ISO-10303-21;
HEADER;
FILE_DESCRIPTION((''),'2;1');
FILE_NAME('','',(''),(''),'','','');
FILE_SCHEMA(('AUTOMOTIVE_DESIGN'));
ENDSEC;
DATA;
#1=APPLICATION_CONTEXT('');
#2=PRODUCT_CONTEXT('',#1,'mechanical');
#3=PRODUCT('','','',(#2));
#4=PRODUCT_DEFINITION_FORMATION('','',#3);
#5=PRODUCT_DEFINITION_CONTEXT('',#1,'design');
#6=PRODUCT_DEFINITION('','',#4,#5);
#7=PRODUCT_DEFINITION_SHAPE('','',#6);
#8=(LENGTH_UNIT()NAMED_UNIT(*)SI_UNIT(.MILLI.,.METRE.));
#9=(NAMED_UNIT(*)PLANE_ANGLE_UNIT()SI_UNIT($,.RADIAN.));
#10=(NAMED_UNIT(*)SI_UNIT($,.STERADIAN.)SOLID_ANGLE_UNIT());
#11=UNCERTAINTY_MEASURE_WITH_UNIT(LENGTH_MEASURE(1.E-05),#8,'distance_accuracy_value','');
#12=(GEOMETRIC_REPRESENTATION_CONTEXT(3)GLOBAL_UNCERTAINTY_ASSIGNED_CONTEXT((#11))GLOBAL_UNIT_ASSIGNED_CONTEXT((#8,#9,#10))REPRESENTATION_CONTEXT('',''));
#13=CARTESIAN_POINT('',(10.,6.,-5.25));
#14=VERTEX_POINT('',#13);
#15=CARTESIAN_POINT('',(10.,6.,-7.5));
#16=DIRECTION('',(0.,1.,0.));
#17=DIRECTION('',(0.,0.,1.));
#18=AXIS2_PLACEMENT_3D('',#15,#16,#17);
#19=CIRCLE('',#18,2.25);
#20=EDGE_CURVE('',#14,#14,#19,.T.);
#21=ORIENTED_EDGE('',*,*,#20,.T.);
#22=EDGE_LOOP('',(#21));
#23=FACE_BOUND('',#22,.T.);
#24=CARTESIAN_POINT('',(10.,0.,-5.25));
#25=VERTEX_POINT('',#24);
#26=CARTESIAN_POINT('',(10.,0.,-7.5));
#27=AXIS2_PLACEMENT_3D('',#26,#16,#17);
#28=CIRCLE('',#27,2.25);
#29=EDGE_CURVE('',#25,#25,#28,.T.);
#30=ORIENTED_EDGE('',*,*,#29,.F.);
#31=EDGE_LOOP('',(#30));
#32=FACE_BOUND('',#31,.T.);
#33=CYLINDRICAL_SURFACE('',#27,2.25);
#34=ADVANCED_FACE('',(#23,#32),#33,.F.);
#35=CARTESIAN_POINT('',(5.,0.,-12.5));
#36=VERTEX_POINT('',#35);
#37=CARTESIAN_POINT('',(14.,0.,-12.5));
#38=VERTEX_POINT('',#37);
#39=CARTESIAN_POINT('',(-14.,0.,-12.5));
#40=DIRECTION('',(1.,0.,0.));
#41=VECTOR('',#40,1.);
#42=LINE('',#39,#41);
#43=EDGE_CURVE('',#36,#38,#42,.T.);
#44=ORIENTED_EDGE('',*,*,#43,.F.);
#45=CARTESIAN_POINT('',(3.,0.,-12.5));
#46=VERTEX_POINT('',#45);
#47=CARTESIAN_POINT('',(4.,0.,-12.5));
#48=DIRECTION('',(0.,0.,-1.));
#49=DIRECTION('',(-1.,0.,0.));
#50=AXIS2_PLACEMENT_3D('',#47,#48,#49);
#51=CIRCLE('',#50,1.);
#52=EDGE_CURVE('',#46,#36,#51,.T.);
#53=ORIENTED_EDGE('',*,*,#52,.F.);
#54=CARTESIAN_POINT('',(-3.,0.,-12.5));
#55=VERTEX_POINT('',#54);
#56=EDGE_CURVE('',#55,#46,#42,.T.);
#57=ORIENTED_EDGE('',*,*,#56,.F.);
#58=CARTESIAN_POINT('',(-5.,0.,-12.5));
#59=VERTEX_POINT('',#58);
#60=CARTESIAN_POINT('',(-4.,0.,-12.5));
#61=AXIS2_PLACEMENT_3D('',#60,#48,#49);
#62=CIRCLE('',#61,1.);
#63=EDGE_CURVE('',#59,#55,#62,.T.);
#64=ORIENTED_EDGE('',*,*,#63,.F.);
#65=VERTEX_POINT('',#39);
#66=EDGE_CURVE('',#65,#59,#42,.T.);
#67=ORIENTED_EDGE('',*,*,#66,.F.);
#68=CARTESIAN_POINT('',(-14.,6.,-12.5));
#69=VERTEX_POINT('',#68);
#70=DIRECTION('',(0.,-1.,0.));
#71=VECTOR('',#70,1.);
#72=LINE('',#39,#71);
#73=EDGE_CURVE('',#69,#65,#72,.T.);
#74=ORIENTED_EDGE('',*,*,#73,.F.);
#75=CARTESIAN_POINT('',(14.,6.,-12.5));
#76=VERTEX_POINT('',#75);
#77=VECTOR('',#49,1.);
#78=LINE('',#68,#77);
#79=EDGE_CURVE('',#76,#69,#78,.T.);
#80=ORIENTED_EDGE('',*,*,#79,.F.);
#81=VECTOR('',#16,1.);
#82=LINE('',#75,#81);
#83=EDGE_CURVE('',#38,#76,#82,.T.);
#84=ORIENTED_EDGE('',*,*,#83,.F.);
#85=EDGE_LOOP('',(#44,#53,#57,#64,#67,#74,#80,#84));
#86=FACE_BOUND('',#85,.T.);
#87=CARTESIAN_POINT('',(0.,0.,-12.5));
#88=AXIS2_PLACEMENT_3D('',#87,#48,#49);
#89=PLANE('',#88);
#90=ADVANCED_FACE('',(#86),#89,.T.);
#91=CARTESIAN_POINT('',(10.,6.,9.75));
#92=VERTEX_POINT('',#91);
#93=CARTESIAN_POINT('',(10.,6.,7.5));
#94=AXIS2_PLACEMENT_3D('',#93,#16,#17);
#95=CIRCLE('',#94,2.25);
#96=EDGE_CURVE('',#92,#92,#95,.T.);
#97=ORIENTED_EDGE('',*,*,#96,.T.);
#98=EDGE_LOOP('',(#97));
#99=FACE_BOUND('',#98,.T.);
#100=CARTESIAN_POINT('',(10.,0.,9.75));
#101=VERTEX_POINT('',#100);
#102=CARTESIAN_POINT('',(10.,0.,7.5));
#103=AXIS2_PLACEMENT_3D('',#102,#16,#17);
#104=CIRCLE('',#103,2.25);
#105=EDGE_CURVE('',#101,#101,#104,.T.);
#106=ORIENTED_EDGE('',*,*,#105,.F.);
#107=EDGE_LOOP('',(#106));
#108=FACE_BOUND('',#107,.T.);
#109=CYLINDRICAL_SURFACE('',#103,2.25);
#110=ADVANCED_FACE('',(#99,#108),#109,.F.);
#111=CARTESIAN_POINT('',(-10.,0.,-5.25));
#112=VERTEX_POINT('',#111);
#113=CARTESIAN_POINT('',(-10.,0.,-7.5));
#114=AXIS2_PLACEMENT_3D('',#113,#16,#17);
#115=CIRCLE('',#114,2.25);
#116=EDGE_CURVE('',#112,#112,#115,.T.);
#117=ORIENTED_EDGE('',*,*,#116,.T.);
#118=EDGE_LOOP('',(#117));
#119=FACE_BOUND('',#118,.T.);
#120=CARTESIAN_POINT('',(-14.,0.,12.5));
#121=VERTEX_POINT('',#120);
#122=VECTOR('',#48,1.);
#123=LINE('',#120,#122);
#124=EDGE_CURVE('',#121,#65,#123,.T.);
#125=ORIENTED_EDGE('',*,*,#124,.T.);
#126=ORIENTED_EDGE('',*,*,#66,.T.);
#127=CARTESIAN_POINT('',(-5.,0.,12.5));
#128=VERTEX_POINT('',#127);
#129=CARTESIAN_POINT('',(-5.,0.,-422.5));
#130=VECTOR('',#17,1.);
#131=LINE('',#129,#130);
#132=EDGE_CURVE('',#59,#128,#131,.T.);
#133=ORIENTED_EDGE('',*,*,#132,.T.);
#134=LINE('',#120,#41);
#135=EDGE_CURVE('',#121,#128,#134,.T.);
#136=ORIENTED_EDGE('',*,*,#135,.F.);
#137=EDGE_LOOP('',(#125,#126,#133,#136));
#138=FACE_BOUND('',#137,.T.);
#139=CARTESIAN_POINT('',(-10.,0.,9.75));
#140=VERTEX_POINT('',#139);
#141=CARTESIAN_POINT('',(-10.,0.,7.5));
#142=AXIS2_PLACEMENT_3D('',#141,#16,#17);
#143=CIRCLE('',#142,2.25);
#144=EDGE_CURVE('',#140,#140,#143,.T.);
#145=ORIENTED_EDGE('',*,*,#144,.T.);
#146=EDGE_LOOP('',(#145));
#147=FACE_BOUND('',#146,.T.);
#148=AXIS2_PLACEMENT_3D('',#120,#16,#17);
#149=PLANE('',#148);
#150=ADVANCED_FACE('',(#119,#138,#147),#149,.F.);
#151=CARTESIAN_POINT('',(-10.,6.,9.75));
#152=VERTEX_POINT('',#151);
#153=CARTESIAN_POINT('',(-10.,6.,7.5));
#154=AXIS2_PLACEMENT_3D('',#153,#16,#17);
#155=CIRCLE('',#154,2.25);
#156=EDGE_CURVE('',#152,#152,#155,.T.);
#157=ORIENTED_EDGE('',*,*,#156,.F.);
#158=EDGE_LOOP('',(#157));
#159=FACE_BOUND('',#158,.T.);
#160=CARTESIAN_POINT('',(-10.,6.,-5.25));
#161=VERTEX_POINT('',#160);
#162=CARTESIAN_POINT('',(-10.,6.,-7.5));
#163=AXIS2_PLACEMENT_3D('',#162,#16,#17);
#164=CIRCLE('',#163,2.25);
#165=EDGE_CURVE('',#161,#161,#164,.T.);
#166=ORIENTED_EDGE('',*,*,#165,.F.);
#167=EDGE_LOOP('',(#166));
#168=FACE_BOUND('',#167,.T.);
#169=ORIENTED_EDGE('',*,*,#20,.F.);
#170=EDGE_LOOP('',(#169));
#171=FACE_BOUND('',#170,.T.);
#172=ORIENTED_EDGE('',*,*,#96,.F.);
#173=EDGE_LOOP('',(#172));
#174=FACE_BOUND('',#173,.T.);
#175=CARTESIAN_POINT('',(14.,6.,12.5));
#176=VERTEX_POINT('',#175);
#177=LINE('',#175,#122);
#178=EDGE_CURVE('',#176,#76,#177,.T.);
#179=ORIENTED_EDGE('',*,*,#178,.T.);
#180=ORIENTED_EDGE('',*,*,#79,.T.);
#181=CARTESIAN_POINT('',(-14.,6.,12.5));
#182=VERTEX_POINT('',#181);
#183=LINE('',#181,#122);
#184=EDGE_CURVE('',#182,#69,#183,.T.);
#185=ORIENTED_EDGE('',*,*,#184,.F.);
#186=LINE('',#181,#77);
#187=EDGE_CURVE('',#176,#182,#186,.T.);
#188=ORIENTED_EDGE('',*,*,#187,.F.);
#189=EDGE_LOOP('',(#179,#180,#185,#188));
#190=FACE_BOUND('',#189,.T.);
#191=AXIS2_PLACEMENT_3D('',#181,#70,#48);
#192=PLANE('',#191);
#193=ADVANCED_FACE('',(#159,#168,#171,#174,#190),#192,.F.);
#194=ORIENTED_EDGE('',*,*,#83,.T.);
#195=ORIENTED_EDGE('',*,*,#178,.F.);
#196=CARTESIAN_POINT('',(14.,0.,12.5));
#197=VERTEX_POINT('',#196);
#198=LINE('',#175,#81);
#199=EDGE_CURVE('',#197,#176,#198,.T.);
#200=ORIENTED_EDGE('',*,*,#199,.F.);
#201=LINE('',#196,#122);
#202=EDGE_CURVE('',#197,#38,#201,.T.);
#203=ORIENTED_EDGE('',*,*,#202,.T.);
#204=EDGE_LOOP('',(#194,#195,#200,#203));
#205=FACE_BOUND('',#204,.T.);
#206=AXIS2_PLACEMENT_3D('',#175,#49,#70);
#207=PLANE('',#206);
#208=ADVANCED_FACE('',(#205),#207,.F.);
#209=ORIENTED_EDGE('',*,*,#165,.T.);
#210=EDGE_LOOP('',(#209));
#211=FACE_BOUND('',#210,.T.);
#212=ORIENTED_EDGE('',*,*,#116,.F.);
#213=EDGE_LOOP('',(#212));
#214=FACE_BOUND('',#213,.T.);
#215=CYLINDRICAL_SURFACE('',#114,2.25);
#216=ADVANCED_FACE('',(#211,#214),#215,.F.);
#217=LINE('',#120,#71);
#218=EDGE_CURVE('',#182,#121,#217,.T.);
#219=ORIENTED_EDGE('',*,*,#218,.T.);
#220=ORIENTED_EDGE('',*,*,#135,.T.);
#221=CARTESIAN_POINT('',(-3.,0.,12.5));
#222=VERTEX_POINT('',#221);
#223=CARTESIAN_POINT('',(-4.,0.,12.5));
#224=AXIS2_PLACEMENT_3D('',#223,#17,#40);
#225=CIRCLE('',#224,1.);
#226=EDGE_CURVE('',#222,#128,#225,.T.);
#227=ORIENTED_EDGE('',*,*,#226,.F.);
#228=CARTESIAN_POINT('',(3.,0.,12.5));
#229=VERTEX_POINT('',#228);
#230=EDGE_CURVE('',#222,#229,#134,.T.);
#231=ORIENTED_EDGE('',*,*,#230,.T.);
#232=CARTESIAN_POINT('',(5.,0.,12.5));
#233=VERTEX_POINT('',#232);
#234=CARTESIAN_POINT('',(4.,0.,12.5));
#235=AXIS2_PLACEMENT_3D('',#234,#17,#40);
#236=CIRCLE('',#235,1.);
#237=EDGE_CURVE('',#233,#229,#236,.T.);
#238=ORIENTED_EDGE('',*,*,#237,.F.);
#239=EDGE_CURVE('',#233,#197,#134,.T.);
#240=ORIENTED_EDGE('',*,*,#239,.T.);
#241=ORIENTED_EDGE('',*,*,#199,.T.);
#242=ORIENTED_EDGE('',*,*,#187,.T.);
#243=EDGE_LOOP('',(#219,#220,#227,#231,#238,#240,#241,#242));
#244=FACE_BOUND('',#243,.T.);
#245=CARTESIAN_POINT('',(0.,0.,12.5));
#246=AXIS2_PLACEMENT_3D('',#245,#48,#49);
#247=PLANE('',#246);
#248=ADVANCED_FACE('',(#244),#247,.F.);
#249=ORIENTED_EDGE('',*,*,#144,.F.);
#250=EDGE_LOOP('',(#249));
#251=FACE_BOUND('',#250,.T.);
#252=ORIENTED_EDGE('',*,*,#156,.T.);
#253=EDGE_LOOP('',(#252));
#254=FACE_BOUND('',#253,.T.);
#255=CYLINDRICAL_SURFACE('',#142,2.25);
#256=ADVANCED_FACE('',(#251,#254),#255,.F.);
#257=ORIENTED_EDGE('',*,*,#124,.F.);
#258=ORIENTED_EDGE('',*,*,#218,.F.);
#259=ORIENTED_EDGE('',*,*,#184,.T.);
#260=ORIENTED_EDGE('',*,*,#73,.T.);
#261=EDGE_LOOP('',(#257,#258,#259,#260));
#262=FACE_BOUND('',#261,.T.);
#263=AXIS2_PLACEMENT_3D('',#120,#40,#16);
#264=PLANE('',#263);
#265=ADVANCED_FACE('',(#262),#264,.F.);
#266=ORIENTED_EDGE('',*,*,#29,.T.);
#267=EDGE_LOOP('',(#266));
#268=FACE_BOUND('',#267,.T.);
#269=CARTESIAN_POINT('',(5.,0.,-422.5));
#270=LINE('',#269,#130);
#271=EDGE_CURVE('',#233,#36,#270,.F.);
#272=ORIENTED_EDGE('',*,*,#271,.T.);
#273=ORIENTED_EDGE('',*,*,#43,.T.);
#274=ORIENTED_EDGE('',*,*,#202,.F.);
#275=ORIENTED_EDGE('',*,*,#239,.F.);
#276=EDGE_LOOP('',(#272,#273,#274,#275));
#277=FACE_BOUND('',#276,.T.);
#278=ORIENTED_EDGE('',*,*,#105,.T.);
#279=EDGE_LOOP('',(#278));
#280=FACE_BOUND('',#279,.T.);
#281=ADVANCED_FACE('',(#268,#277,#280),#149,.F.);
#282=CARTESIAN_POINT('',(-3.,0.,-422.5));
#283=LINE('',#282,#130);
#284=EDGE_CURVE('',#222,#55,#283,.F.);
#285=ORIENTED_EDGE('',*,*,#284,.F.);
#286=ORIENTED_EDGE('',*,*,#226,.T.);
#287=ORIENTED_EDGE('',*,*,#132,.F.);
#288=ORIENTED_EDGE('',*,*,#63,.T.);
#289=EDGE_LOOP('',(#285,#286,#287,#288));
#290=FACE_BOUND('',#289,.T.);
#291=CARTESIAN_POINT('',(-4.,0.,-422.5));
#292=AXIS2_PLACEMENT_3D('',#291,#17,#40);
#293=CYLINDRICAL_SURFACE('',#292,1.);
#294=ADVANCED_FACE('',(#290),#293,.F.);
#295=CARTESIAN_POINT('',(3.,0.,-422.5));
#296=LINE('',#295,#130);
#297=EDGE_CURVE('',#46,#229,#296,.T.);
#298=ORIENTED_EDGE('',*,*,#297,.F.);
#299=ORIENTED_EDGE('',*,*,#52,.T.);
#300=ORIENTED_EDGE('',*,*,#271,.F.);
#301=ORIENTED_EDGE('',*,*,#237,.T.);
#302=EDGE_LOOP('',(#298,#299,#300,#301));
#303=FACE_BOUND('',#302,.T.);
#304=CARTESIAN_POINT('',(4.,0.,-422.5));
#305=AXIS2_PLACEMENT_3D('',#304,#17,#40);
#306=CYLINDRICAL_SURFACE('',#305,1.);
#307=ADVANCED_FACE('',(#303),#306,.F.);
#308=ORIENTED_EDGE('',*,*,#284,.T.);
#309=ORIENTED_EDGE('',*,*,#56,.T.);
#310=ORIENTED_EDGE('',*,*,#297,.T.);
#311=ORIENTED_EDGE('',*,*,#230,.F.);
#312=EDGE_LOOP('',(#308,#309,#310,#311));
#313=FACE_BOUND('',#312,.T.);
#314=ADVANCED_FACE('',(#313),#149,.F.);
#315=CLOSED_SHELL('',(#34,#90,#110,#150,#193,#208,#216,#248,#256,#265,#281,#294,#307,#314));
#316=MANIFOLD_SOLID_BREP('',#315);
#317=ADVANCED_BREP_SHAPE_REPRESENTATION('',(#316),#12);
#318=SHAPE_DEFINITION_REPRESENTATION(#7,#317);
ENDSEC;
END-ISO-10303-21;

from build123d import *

# Parameters (mm, degrees)
SKETCH1_W           = 28
SKETCH1_H           = 6
BOSS_EXTRUDE1_DEPTH = 12.5
SKETCH2_R           = 1
CUT_EXTRUDE1_DEPTH  = 435
SKETCH3_R           = 2.25
CUT_EXTRUDE2_DEPTH  = 20.704060495


with BuildPart() as part:
    # Sketch1 → Boss-Extrude1 (new, symmetric)
    with BuildSketch(Plane.XY):
        with Locations((0, 3)):
            Rectangle(SKETCH1_W, SKETCH1_H)
    extrude(amount=BOSS_EXTRUDE1_DEPTH, both=True)

    # Sketch2 → Cut-Extrude1 (cut)
    with BuildSketch(Plane.XY.offset(12.5)):
        with Locations((-4, 0)):
            Circle(SKETCH2_R)
        with Locations((4, 0)):
            Circle(SKETCH2_R)
    extrude(amount=-CUT_EXTRUDE1_DEPTH, mode=Mode.SUBTRACT)

    # Sketch3 → Cut-Extrude2 (cut, through all)
    with BuildSketch(Plane(origin=(0, 6, 0), x_dir=(1, 0, 0), z_dir=(0, 1, 0))):
        with Locations(Location((-10, 7.5, 0), (0, 0, 270))):
            Circle(SKETCH3_R)
        with Locations(Location((-10, -7.5, 0), (0, 0, 270))):
            Circle(SKETCH3_R)
        with Locations(Location((10, -7.5, 0), (0, 0, 270))):
            Circle(SKETCH3_R)
        with Locations(Location((10, 7.5, 0), (0, 0, 270))):
            Circle(SKETCH3_R)
    extrude(amount=-CUT_EXTRUDE2_DEPTH, mode=Mode.SUBTRACT)


solid = part.part
